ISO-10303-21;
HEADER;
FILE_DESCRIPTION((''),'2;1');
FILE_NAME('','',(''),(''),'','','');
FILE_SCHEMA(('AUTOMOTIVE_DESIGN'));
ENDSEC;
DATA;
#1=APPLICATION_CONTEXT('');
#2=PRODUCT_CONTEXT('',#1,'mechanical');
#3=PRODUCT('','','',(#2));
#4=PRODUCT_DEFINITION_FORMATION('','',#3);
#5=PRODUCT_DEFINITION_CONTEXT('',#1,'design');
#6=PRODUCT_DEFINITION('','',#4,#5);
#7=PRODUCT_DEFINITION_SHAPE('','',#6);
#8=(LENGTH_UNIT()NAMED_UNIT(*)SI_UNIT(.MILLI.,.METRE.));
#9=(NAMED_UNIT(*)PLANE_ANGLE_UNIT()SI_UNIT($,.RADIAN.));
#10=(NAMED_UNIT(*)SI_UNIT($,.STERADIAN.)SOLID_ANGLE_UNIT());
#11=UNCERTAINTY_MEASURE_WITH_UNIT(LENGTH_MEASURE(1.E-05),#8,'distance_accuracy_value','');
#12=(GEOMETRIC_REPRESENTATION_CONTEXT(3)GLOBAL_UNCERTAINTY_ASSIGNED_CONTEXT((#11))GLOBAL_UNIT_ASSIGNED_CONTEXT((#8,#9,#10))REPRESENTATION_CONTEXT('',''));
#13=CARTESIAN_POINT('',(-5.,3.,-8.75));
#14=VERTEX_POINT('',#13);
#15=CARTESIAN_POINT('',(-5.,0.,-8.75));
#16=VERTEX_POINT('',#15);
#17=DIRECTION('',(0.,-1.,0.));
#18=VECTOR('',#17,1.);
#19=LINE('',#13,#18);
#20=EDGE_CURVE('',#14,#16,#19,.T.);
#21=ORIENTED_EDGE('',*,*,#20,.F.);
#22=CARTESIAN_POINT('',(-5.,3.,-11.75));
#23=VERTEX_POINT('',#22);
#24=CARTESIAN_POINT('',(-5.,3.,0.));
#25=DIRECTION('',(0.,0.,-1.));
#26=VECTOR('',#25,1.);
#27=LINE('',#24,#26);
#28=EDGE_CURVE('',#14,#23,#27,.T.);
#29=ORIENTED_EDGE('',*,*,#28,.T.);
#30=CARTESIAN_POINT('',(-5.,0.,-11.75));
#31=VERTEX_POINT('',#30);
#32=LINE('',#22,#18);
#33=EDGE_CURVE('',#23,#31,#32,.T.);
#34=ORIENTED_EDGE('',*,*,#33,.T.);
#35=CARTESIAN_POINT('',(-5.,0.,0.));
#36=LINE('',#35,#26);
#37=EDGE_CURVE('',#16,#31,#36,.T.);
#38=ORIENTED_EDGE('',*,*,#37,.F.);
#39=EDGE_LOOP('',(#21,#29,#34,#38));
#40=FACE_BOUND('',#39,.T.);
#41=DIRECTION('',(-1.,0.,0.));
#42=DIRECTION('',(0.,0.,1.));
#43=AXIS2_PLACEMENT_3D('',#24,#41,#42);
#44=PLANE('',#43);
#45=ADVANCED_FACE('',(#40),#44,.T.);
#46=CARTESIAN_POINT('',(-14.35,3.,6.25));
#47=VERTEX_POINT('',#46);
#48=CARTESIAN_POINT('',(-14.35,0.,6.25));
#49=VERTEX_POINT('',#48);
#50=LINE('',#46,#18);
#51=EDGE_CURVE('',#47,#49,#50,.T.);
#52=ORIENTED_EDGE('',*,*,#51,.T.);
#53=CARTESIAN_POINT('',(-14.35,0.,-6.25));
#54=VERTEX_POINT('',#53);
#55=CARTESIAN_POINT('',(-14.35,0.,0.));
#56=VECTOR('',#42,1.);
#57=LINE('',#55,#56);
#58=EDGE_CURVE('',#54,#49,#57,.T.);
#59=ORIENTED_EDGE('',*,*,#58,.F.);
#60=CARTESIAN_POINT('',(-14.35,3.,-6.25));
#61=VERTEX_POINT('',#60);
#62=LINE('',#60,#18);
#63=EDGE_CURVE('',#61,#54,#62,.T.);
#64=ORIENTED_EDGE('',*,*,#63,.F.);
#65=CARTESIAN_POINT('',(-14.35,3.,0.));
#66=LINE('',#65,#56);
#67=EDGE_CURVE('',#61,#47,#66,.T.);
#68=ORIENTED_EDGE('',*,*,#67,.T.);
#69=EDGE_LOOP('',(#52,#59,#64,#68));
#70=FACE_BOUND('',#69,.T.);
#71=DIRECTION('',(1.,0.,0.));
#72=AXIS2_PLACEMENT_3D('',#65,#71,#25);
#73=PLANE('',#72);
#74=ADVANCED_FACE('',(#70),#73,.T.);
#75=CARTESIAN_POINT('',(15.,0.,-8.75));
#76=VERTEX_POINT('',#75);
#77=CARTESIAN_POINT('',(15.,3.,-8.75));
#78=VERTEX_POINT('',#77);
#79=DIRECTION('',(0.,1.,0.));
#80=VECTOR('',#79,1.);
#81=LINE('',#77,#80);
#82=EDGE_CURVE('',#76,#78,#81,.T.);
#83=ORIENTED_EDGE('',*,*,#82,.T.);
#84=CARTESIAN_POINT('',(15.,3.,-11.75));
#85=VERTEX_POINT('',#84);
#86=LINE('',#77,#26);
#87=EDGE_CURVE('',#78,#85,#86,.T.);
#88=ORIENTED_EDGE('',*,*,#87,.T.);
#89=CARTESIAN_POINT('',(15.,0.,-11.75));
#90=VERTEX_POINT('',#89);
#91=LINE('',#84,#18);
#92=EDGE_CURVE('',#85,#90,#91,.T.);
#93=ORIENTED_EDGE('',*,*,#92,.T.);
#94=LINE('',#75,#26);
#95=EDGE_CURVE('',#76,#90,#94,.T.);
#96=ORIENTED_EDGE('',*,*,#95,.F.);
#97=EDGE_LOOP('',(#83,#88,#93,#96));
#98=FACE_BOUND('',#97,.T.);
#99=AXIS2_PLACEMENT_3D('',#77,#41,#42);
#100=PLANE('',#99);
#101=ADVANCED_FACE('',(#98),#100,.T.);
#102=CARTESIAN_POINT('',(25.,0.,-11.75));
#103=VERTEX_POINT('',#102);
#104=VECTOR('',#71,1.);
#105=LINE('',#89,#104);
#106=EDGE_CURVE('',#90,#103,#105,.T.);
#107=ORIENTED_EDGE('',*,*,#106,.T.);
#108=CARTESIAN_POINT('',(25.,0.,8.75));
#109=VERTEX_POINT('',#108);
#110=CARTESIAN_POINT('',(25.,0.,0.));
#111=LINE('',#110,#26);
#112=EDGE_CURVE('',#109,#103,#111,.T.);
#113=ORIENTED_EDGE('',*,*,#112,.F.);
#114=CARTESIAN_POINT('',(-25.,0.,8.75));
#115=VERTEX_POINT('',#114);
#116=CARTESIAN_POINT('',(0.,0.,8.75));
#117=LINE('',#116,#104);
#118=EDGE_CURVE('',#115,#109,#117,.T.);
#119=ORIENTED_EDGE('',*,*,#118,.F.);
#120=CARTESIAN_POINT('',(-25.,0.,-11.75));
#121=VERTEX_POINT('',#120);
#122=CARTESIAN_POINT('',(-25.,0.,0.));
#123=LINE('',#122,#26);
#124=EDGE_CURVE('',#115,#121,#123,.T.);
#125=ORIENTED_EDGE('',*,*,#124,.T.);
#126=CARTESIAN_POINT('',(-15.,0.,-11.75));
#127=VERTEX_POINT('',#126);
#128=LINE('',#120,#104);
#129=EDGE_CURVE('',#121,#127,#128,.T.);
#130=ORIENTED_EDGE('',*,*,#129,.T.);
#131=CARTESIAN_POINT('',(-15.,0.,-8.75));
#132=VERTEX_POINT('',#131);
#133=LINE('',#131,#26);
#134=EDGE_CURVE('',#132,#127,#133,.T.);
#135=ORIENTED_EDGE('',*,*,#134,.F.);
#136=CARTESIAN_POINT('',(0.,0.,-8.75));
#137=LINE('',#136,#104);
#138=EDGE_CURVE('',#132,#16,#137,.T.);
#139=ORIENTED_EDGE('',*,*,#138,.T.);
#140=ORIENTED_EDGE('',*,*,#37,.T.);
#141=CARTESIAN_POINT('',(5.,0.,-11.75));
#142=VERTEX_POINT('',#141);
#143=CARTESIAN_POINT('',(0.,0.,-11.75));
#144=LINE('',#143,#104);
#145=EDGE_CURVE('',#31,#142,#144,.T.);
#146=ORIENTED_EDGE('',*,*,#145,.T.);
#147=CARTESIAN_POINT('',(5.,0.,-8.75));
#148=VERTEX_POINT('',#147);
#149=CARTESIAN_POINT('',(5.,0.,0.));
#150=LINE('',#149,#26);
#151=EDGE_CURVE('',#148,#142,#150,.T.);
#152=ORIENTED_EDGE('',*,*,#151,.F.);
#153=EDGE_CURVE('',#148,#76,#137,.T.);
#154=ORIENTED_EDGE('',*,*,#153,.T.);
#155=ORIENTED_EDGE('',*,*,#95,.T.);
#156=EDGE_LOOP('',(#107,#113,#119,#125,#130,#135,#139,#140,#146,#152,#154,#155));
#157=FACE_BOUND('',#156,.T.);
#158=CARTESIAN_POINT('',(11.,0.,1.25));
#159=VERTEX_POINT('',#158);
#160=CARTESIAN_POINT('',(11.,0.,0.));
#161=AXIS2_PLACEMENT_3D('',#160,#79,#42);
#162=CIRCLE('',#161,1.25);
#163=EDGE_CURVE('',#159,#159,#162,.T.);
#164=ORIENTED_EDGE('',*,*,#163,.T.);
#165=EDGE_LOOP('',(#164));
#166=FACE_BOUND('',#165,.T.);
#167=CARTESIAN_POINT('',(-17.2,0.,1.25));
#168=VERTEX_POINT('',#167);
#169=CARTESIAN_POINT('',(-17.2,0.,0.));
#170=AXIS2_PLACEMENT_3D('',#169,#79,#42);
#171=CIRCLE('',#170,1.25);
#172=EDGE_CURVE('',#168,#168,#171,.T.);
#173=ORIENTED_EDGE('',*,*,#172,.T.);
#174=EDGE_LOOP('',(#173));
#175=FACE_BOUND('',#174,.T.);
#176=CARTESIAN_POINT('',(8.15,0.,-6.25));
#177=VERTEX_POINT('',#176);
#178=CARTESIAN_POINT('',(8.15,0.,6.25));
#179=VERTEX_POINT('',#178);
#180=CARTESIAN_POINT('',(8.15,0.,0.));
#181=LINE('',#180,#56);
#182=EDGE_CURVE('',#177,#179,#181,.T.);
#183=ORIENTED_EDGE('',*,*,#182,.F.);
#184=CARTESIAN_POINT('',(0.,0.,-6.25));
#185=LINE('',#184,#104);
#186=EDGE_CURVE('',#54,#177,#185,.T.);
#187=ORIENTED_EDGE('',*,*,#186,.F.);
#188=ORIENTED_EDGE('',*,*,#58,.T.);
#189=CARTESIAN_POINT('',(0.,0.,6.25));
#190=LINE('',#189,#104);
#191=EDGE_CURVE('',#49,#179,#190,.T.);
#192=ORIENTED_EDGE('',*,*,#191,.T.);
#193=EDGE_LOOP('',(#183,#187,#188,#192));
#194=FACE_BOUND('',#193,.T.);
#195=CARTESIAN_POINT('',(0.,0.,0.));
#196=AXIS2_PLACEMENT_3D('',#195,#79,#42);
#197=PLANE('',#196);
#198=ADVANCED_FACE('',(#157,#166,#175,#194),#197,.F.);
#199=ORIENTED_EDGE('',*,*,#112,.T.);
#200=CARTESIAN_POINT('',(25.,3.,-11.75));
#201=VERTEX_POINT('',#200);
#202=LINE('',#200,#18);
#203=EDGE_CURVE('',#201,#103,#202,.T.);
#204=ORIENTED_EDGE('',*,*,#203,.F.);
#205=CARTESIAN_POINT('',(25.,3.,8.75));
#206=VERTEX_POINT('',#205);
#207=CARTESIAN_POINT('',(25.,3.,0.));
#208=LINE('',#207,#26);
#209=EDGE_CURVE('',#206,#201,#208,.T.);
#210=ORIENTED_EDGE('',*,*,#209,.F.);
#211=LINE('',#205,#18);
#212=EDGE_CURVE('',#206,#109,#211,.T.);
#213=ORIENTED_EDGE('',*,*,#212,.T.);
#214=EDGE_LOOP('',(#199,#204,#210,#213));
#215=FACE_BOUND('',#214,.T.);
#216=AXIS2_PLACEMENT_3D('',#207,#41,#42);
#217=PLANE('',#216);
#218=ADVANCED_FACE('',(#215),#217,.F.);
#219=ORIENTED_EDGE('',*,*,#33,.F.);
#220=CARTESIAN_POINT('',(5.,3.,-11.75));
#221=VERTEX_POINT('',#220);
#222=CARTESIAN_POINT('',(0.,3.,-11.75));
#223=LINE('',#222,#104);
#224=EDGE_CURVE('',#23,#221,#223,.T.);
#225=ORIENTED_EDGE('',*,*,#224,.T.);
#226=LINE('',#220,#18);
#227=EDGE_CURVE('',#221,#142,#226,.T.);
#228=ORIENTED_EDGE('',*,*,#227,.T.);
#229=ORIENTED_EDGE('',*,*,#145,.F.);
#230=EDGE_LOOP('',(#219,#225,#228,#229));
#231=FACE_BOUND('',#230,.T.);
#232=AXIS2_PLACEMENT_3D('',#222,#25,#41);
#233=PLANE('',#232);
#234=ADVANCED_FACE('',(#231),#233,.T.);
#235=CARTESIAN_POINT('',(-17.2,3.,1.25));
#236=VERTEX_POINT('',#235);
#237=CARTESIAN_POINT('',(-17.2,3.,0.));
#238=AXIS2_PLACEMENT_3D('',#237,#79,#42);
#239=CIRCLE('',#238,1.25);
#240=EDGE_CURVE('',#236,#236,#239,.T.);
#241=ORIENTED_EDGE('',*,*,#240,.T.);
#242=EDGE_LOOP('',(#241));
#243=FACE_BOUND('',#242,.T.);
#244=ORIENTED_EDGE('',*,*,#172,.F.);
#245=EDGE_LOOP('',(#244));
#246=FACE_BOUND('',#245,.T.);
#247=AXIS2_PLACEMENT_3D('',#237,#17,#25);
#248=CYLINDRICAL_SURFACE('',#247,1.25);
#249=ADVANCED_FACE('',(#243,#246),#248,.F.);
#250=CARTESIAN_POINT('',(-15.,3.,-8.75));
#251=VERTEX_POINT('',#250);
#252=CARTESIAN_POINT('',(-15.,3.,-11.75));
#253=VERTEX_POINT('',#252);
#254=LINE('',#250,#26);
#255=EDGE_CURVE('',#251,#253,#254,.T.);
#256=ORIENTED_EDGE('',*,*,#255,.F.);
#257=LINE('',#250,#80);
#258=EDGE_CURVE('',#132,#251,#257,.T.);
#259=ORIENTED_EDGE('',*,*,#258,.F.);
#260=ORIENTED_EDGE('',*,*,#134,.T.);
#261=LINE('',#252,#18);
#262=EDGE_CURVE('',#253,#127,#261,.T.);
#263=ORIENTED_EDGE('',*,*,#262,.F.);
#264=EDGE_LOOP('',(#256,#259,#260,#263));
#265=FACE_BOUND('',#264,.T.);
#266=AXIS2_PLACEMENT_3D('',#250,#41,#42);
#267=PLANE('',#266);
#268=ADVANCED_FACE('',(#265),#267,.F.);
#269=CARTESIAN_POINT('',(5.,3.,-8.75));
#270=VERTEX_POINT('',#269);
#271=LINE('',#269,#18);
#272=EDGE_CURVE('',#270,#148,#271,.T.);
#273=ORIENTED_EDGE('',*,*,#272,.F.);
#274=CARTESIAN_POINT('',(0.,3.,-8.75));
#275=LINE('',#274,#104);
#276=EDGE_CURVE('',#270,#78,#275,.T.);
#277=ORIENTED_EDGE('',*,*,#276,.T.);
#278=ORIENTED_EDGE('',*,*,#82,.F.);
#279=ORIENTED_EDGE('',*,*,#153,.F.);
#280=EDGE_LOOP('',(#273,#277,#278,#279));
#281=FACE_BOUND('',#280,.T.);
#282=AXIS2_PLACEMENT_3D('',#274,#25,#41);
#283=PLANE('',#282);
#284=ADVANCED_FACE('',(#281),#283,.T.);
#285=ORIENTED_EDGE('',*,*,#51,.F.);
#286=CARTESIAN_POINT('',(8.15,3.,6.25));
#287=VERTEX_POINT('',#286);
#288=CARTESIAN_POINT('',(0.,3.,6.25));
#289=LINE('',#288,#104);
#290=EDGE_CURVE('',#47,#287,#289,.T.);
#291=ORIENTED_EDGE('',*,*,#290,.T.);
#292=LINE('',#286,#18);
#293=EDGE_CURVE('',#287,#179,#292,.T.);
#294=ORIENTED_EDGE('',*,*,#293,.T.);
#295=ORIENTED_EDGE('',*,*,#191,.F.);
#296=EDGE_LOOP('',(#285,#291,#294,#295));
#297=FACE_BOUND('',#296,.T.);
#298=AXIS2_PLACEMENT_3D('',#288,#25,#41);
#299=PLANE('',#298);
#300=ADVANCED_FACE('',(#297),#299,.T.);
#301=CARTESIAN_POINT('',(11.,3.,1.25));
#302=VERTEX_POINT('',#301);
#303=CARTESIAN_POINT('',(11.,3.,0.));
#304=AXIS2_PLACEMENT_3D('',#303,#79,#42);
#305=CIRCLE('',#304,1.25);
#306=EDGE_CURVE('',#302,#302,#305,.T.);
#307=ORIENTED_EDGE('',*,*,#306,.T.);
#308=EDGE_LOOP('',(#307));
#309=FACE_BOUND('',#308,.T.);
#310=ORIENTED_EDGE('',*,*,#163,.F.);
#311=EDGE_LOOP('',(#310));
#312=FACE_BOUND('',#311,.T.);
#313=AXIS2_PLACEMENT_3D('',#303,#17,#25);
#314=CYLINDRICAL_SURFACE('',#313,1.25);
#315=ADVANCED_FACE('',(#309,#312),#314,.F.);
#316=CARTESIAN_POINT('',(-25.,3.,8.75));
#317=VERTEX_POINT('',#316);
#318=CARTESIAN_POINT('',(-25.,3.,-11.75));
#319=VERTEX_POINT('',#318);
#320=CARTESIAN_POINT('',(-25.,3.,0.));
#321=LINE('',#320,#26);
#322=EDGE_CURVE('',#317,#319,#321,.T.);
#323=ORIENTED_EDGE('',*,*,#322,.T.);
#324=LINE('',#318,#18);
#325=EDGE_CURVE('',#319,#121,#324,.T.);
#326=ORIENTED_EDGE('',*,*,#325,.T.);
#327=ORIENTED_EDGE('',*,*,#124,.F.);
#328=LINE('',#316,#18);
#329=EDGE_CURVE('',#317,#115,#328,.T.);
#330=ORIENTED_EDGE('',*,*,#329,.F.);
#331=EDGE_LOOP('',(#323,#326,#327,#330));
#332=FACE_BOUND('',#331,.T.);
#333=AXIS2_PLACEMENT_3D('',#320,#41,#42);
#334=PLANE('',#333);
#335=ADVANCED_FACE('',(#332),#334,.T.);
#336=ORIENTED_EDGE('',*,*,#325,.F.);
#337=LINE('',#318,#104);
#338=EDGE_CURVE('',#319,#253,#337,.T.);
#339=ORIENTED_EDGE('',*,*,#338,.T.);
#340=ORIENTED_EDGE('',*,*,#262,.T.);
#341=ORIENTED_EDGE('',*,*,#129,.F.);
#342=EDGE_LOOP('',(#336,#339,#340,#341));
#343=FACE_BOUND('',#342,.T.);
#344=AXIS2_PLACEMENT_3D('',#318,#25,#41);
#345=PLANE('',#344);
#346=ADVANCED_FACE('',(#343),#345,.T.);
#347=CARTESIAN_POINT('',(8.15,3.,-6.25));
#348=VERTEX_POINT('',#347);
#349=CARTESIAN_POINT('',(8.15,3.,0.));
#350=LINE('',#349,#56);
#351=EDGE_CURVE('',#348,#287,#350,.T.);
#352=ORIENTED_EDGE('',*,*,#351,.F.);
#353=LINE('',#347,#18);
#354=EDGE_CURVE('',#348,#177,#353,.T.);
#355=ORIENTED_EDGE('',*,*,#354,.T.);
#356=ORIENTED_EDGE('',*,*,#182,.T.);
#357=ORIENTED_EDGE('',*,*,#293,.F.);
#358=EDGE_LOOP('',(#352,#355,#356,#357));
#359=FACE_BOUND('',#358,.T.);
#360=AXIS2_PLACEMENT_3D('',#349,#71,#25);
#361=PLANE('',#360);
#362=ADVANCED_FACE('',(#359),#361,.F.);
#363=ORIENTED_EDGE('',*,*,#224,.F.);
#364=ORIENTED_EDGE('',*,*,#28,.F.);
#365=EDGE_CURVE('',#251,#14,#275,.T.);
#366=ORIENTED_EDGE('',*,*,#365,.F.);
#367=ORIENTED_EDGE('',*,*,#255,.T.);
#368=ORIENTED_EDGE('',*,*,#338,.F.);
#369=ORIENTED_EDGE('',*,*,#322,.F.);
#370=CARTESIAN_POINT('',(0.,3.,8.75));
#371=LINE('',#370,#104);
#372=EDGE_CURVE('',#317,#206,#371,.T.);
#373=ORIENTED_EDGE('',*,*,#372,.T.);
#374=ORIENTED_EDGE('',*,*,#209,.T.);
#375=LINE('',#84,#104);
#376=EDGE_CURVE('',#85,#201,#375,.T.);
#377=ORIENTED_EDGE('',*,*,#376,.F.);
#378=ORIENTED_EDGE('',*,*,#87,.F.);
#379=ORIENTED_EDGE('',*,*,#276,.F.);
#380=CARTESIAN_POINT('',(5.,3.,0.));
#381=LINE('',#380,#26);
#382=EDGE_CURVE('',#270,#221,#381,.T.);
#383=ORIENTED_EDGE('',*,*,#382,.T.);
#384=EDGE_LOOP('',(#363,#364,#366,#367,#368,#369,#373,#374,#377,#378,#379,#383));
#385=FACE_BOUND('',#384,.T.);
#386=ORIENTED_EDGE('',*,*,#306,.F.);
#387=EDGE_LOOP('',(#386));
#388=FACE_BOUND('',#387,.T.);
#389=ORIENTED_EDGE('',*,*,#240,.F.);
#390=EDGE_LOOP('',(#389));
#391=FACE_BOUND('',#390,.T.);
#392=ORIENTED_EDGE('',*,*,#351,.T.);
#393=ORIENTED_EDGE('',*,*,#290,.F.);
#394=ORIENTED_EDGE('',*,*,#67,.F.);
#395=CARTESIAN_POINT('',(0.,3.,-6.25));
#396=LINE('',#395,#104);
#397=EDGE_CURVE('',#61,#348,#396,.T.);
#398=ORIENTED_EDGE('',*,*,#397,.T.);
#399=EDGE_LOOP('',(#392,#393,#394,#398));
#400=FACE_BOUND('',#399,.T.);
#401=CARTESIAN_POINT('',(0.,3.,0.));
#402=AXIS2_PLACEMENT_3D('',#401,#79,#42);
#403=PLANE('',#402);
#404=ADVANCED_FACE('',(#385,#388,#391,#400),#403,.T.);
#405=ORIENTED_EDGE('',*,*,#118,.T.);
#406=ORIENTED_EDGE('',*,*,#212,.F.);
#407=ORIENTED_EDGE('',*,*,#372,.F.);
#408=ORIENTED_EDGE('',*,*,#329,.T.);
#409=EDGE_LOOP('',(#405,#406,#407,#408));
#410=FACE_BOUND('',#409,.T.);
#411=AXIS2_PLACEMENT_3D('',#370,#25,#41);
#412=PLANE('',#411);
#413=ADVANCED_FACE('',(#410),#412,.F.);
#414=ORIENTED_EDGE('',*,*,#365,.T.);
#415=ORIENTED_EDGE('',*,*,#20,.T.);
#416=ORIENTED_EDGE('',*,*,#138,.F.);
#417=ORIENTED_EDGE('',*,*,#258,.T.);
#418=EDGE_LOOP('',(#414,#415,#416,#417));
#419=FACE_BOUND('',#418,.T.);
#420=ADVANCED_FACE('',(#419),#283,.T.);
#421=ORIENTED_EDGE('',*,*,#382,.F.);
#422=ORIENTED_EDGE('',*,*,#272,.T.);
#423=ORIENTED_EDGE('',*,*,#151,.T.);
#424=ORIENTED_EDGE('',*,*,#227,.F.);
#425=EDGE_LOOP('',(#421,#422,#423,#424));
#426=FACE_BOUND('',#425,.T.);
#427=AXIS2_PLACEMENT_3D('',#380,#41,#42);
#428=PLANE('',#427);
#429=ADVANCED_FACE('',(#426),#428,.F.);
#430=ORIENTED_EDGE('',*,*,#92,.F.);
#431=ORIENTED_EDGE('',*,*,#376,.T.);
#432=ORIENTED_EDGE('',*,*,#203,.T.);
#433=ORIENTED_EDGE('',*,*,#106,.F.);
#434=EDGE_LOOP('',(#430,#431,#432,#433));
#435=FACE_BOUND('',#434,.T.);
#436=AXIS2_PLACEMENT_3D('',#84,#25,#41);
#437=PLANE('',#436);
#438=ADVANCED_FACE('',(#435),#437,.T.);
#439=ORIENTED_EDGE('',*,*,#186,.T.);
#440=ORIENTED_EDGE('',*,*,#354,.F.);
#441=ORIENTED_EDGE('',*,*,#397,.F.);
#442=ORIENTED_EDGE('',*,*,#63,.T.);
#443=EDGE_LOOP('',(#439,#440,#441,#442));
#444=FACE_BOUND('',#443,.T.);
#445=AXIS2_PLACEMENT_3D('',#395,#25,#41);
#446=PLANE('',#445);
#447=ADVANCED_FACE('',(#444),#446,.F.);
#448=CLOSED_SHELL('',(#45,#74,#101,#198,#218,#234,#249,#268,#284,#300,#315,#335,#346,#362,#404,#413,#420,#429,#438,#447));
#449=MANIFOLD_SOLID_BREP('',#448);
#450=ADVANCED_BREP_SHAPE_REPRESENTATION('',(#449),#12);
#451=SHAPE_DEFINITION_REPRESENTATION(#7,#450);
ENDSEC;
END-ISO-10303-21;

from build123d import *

# Parameters (mm, degrees)
CROQUIS1_R              = 1.25
CROQUIS1_W              = 22.5
CROQUIS1_H              = 12.5
CROQUIS1_W_2            = 10
CROQUIS1_H_2            = 3
SALIENTE_EXTRUIR1_DEPTH = 3


with BuildPart() as part:
    # Croquis1 → Saliente-Extruir1 (new body)
    # profile 1 of 4: a face of its own
    with BuildSketch(Plane(origin=(0, 0, 0), x_dir=(1, 0, 0), z_dir=(0, 1, 0))):
        Polygon((-25, 8.75), (-25, -8.75), (25, -8.75), (25, 8.75), (15, 8.75), (5, 8.75), (-5, 8.75), (-15, 8.75), align=None)
        with Locations(Location((-17.2, 0, 0), (0, 0, 270))):
            Circle(CROQUIS1_R, mode=Mode.SUBTRACT)
        with Locations((-3.1, 0)):
            Rectangle(CROQUIS1_W, CROQUIS1_H, mode=Mode.SUBTRACT)
        with Locations(Location((11, 0, 0), (0, 0, 270))):
            Circle(CROQUIS1_R, mode=Mode.SUBTRACT)
    # profile 2 of 4: a face of its own
    with BuildSketch(Plane(origin=(0, 0, 0), x_dir=(1, 0, 0), z_dir=(0, 1, 0))):
        with Locations((-20, 10.25)):
            Rectangle(CROQUIS1_W_2, CROQUIS1_H_2)
    # profile 3 of 4: a face of its own
    with BuildSketch(Plane(origin=(0, 0, 0), x_dir=(1, 0, 0), z_dir=(0, 1, 0))):
        with Locations((20, 10.25)):
            Rectangle(CROQUIS1_W_2, CROQUIS1_H_2)
    # profile 4 of 4: a face of its own
    with BuildSketch(Plane(origin=(0, 0, 0), x_dir=(1, 0, 0), z_dir=(0, 1, 0))):
        with Locations((0, 10.25)):
            Rectangle(CROQUIS1_W_2, CROQUIS1_H_2)
    extrude(amount=SALIENTE_EXTRUIR1_DEPTH)


solid = part.part
